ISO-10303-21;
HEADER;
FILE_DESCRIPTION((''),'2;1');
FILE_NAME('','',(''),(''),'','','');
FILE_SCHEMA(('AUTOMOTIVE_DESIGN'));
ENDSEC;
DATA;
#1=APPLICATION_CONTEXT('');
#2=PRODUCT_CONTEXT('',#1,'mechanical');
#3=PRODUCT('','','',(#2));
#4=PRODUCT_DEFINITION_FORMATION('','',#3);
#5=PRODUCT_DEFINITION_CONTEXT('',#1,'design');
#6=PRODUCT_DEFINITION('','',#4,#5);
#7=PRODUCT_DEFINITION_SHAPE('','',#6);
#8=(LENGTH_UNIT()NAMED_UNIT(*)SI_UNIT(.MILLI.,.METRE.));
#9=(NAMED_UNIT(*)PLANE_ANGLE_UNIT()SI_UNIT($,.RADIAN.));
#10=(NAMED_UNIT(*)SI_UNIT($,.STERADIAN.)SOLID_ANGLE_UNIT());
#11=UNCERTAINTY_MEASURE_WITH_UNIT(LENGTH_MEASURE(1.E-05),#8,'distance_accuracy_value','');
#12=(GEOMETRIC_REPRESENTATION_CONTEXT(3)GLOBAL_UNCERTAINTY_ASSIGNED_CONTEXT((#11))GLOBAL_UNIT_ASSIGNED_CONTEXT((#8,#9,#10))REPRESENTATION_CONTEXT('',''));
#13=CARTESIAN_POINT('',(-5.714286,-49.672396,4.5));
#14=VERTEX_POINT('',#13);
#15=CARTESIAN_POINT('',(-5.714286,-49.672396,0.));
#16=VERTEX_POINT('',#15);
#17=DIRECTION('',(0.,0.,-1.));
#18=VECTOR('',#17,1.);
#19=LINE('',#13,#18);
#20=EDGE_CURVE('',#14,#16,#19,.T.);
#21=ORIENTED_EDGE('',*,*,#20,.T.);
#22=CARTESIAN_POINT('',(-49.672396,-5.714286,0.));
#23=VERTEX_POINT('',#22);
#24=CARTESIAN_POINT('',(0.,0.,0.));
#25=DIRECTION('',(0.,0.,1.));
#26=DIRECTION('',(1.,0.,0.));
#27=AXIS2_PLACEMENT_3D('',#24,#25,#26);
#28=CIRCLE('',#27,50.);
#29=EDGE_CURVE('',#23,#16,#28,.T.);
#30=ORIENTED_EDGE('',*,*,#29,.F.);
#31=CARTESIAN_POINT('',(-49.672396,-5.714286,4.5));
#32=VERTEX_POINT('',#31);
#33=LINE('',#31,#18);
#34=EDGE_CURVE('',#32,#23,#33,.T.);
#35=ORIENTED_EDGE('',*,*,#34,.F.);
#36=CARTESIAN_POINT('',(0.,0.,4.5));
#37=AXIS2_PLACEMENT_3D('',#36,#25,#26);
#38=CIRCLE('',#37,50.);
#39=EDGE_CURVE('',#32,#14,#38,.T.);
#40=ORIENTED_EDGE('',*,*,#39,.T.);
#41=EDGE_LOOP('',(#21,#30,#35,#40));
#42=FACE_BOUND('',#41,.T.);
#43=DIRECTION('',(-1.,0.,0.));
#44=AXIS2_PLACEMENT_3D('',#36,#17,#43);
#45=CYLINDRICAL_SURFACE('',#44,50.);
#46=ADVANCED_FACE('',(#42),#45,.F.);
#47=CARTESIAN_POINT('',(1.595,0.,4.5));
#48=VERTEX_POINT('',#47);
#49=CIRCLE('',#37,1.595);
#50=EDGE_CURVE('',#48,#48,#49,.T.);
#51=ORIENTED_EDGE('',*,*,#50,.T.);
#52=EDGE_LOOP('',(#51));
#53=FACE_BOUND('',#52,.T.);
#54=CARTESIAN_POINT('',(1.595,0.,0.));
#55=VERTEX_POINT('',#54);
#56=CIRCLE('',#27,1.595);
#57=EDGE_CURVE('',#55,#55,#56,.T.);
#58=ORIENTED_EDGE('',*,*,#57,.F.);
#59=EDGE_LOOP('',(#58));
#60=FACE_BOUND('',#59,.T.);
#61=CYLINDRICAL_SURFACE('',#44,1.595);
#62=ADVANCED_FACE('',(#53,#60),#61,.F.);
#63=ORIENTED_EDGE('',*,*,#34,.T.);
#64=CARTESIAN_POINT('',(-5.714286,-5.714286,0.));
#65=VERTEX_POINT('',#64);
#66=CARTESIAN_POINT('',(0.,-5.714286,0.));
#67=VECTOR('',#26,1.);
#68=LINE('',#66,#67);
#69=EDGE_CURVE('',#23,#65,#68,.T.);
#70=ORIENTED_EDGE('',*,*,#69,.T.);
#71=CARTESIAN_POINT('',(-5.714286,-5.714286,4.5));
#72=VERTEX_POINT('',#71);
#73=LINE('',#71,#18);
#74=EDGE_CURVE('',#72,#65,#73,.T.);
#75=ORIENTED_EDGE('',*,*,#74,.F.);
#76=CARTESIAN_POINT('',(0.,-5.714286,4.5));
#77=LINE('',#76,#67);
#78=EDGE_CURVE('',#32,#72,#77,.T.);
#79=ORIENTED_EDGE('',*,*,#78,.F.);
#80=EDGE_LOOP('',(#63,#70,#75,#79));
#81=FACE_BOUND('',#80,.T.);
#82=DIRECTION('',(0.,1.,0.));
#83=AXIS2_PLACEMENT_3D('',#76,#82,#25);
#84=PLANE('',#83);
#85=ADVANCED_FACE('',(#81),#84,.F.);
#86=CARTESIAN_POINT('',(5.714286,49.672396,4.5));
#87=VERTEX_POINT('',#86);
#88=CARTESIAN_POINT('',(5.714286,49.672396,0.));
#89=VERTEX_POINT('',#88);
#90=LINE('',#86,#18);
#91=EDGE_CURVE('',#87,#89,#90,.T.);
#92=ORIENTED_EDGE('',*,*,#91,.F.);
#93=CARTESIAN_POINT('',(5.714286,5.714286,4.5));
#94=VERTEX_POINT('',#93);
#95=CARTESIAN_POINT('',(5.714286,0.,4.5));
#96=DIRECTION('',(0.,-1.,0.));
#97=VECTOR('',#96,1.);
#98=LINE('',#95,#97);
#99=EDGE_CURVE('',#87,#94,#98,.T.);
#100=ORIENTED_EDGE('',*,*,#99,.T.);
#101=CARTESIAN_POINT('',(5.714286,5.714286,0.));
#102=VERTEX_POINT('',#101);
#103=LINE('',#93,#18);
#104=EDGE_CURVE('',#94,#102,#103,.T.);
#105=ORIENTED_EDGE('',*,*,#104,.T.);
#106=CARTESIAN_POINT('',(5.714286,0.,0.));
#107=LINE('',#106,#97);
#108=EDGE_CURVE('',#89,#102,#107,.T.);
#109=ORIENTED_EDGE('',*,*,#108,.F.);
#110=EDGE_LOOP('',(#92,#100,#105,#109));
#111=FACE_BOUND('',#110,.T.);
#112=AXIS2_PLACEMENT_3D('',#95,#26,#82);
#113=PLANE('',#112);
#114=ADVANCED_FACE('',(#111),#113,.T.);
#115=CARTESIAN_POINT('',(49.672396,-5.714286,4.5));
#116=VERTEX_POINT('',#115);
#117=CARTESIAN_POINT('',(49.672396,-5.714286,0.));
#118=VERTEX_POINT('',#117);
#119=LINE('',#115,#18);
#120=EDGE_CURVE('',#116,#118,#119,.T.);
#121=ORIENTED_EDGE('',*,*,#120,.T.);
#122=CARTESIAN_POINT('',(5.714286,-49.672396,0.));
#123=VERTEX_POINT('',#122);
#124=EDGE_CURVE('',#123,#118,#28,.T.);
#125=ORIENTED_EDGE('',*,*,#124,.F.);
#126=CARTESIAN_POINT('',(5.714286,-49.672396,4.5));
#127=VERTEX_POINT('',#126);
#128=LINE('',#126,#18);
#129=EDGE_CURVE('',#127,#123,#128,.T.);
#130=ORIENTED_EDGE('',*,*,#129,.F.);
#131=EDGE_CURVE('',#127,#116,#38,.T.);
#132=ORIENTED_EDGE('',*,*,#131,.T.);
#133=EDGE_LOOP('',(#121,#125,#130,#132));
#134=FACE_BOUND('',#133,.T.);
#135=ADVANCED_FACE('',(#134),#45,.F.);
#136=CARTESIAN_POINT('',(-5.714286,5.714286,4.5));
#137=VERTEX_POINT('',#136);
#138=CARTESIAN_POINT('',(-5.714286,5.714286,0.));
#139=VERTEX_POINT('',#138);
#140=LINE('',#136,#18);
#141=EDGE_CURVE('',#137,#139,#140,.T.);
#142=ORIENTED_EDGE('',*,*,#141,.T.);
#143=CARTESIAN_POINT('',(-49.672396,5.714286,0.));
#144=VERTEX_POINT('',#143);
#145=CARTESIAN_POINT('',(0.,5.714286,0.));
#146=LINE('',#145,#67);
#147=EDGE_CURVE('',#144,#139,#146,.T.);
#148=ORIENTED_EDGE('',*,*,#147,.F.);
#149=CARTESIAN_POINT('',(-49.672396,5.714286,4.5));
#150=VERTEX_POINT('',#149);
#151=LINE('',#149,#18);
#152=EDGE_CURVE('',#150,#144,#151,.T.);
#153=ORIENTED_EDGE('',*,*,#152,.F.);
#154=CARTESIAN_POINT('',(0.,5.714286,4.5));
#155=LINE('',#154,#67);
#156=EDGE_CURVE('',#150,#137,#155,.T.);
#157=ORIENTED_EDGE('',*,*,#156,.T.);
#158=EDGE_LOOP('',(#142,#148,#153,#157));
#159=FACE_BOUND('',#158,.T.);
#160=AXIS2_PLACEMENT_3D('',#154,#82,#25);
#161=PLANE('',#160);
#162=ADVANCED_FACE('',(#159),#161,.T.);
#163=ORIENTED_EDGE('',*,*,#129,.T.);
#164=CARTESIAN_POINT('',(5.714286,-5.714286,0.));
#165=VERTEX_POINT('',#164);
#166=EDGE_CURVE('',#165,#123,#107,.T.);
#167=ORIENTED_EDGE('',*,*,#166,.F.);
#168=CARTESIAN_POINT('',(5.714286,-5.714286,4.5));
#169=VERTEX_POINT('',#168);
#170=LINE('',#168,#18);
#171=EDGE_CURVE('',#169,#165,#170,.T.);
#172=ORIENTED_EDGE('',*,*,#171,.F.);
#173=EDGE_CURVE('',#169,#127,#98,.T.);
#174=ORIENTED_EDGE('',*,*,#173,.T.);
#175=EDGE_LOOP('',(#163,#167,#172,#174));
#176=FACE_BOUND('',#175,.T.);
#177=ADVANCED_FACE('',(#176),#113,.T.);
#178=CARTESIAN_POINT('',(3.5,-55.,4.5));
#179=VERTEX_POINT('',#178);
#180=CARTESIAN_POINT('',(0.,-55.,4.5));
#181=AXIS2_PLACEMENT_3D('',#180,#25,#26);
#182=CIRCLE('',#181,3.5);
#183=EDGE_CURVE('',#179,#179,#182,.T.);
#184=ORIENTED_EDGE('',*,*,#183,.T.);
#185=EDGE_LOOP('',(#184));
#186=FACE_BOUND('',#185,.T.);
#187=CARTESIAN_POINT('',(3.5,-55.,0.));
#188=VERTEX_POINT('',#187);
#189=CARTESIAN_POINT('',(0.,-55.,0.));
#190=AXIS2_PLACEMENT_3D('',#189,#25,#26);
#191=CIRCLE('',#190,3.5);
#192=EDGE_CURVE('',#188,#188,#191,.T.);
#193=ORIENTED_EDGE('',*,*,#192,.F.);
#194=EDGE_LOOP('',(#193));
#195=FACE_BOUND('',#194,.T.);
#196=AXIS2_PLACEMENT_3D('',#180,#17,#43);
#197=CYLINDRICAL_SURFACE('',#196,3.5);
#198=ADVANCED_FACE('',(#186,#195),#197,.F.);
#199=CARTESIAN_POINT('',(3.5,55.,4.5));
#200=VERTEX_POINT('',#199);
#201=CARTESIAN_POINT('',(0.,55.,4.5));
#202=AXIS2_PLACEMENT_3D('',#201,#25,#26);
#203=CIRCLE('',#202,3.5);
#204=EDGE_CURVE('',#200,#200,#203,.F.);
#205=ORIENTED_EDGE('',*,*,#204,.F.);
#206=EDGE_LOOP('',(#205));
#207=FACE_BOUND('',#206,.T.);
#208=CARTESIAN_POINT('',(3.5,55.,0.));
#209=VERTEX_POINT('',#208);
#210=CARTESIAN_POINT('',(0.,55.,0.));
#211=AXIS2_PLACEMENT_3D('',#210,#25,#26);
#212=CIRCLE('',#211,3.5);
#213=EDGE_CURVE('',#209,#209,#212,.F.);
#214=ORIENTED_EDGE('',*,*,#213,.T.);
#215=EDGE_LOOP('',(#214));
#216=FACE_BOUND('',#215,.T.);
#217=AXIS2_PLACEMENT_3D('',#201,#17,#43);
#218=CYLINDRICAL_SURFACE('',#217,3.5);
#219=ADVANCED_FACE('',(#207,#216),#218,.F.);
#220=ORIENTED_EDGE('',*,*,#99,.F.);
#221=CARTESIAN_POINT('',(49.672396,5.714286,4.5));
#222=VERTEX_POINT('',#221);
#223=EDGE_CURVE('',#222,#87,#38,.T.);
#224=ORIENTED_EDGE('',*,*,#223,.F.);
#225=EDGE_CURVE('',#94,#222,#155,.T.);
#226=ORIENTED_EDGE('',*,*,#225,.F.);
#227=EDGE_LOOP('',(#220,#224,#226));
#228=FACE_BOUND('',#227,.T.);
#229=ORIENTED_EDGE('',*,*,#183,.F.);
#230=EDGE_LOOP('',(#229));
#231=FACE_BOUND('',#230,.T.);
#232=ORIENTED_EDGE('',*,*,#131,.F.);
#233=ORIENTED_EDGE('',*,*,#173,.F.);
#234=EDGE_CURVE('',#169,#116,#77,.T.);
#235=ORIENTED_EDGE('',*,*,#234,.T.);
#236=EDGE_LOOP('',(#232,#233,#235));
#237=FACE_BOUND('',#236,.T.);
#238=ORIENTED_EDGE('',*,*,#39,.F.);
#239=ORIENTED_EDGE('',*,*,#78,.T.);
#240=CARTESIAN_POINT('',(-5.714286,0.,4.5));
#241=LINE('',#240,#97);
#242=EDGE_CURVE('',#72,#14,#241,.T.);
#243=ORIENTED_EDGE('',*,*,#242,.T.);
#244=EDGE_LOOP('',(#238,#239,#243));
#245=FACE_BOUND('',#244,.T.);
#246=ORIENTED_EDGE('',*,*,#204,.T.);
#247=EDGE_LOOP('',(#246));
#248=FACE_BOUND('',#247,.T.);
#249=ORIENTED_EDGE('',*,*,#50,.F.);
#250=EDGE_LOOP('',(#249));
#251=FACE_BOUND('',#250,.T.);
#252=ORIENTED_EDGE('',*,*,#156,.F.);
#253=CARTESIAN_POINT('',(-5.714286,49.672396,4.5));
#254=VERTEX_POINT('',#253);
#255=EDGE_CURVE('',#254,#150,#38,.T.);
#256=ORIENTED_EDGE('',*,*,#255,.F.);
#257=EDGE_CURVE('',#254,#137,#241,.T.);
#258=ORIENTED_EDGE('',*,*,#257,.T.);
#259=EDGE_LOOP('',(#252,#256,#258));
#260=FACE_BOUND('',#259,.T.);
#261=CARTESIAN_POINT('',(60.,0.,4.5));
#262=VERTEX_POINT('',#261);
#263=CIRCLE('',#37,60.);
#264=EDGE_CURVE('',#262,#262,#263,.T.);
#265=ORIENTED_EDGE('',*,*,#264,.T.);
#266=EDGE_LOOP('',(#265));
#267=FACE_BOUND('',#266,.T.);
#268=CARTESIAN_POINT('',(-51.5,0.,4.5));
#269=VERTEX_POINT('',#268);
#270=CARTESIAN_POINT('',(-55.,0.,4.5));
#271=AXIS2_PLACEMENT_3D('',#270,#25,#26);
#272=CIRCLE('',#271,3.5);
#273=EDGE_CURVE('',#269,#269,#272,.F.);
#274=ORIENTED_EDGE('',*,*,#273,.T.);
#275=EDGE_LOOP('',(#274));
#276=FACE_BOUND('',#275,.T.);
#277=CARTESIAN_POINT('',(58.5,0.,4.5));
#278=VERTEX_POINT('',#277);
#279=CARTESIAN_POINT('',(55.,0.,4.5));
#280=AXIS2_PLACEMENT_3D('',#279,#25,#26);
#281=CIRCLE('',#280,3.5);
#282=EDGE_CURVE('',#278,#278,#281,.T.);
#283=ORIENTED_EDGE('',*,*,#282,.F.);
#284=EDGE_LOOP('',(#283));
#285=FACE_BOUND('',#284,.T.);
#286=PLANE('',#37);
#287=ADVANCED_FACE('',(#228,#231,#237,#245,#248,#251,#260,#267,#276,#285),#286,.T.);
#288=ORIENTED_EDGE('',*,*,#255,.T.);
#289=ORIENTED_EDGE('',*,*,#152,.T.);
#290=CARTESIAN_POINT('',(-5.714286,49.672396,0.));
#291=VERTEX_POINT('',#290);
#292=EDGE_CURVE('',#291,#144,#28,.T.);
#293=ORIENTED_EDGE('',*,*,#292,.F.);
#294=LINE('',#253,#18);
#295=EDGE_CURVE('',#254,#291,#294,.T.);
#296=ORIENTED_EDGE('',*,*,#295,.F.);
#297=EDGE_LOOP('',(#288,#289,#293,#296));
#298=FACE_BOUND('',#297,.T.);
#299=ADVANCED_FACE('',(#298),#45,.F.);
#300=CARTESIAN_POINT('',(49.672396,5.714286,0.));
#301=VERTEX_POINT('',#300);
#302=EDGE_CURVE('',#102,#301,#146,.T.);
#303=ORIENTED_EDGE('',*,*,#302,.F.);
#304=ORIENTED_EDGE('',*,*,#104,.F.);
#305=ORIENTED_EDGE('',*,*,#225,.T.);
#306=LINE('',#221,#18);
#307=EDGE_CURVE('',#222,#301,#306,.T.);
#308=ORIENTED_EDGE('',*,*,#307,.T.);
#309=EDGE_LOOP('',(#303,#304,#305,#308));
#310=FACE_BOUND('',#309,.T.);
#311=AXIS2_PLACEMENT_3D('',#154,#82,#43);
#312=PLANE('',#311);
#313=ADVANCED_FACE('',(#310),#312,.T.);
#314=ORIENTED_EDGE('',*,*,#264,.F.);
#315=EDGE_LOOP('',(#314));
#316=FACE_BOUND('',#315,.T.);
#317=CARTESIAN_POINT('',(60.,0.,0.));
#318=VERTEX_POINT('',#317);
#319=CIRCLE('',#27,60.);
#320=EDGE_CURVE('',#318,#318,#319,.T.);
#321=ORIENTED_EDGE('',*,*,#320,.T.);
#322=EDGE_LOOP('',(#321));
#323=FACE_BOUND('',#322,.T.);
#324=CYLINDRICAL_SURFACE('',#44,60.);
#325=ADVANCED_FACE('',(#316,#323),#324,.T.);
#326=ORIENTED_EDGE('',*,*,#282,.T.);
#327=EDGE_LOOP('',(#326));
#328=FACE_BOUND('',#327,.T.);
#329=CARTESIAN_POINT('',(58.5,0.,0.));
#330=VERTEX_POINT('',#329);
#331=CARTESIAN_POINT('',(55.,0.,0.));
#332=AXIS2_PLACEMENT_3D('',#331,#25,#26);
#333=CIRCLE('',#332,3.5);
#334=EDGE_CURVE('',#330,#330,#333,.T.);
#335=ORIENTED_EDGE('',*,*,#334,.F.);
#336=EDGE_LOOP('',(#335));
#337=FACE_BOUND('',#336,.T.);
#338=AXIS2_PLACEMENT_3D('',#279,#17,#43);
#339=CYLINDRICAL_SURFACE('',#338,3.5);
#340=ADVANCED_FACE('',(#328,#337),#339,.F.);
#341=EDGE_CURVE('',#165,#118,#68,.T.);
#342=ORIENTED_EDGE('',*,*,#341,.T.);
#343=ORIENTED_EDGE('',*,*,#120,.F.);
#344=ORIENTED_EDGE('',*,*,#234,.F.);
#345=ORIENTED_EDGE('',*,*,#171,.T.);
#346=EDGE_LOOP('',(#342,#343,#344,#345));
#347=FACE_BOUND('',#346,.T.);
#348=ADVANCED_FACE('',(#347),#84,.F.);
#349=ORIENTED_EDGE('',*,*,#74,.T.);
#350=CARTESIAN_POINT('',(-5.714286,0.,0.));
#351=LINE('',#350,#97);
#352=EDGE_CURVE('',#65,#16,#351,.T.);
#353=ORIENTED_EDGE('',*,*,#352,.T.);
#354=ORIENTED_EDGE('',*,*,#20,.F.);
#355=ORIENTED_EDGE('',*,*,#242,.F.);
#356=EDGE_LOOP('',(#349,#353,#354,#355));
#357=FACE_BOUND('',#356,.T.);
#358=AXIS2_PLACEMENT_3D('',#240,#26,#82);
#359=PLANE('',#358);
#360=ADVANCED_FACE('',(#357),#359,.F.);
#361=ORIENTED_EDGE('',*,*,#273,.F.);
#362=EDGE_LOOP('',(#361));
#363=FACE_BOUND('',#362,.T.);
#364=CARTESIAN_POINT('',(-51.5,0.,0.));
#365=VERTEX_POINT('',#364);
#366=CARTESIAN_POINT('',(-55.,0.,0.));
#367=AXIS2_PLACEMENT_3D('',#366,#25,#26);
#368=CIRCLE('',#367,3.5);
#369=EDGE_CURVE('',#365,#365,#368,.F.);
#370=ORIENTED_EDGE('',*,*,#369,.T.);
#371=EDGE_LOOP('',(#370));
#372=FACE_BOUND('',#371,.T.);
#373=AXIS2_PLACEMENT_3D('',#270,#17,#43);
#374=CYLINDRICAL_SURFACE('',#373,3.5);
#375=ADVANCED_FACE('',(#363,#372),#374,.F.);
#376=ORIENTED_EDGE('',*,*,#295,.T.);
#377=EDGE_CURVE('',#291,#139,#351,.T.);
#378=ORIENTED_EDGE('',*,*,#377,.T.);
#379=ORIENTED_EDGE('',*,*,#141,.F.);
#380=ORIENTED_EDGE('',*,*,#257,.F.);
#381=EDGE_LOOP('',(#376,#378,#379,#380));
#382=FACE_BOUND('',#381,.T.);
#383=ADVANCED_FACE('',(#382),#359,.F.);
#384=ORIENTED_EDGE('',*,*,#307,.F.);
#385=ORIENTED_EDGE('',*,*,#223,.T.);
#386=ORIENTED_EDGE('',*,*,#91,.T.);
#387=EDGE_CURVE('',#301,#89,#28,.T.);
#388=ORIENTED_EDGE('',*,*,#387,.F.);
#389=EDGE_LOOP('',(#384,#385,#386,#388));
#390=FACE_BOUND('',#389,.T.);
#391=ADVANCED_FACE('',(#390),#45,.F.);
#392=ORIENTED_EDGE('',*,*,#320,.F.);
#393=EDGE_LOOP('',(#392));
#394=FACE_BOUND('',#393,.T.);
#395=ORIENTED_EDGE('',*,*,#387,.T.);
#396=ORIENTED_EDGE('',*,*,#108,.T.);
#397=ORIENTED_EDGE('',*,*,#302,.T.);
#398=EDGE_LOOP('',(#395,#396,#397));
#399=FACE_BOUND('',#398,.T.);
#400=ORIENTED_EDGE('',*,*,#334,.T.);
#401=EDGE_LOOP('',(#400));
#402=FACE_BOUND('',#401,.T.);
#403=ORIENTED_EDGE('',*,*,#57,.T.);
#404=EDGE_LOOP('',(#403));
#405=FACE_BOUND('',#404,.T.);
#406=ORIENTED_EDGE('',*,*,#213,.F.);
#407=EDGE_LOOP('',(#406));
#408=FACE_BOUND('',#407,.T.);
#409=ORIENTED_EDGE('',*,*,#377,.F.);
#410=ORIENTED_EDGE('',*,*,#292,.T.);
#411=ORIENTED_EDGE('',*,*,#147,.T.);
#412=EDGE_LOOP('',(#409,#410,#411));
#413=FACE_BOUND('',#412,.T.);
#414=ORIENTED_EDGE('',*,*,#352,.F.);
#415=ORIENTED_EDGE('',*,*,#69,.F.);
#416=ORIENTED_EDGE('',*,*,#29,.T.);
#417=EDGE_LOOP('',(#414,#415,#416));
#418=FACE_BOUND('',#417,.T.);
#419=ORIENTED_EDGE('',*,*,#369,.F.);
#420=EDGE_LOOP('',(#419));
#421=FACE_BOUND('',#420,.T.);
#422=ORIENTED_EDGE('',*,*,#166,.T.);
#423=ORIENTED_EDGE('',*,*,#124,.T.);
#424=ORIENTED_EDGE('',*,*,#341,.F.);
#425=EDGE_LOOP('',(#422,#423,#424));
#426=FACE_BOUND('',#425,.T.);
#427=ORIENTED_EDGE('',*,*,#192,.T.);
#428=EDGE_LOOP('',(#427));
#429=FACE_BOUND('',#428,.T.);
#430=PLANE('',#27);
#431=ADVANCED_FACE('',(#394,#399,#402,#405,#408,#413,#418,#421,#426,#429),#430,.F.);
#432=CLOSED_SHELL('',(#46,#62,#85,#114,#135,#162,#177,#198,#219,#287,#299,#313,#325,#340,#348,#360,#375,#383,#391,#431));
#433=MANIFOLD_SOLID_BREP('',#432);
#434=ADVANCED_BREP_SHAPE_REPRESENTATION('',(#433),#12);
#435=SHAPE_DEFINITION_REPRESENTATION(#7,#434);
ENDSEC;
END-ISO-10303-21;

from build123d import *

# Parameters (mm, degrees)
ESQUISSE1_R        = 60
ESQUISSE1_R_2      = 3.5
ESQUISSE1_R_3      = 50
ESQUISSE1_R_4      = 1.595
BOSS_EXTRU_4_DEPTH = 4.5


with BuildPart() as part:
    # Esquisse1 → Boss.-Extru.4 (new body)
    # profile 1 of 2: a face of its own
    with BuildSketch(Plane.XY):
        Circle(ESQUISSE1_R)
        with Locations((-55, 0)):
            Circle(ESQUISSE1_R_2, mode=Mode.SUBTRACT)
        with Locations((55, 0)):
            Circle(ESQUISSE1_R_2, mode=Mode.SUBTRACT)
        with Locations((0, -55)):
            Circle(ESQUISSE1_R_2, mode=Mode.SUBTRACT)
        Circle(ESQUISSE1_R_3, mode=Mode.SUBTRACT)
        with Locations((0, 55)):
            Circle(ESQUISSE1_R_2, mode=Mode.SUBTRACT)
    # profile 2 of 2: a face of its own
    with BuildSketch(Plane.XY):
        with BuildLine():
            Line((5.714285714, 5.714285714), (5.714285714, 49.672396145))
            ThreePointArc((5.714285714, 49.672396145), (0, 50), (-5.714285714, 49.672396145))
            Line((-5.714285714, 49.672396145), (-5.714285714, 5.714285714))
            Line((-5.714285714, 5.714285714), (-49.672396145, 5.714285714))
            ThreePointArc((-49.672396145, 5.714285714), (-50, 0), (-49.672396145, -5.714285714))
            Line((-49.672396145, -5.714285714), (-5.714285714, -5.714285714))
            Line((-5.714285714, -5.714285714), (-5.714285714, -49.672396145))
            ThreePointArc((-5.714285714, -49.672396145), (0, -50), (5.714285714, -49.672396145))
            Line((5.714285714, -49.672396145), (5.714285714, -5.714285714))
            Line((5.714285714, -5.714285714), (49.672396145, -5.714285714))
            ThreePointArc((49.672396145, -5.714285714), (49.918031848, -2.861834443), (50, 0))
            ThreePointArc((50, 0), (49.918031848, 2.861834443), (49.672396145, 5.714285714))
            Line((49.672396145, 5.714285714), (5.714285714, 5.714285714))
        make_face()
        Circle(ESQUISSE1_R_4, mode=Mode.SUBTRACT)
    extrude(amount=BOSS_EXTRU_4_DEPTH)


solid = part.part
